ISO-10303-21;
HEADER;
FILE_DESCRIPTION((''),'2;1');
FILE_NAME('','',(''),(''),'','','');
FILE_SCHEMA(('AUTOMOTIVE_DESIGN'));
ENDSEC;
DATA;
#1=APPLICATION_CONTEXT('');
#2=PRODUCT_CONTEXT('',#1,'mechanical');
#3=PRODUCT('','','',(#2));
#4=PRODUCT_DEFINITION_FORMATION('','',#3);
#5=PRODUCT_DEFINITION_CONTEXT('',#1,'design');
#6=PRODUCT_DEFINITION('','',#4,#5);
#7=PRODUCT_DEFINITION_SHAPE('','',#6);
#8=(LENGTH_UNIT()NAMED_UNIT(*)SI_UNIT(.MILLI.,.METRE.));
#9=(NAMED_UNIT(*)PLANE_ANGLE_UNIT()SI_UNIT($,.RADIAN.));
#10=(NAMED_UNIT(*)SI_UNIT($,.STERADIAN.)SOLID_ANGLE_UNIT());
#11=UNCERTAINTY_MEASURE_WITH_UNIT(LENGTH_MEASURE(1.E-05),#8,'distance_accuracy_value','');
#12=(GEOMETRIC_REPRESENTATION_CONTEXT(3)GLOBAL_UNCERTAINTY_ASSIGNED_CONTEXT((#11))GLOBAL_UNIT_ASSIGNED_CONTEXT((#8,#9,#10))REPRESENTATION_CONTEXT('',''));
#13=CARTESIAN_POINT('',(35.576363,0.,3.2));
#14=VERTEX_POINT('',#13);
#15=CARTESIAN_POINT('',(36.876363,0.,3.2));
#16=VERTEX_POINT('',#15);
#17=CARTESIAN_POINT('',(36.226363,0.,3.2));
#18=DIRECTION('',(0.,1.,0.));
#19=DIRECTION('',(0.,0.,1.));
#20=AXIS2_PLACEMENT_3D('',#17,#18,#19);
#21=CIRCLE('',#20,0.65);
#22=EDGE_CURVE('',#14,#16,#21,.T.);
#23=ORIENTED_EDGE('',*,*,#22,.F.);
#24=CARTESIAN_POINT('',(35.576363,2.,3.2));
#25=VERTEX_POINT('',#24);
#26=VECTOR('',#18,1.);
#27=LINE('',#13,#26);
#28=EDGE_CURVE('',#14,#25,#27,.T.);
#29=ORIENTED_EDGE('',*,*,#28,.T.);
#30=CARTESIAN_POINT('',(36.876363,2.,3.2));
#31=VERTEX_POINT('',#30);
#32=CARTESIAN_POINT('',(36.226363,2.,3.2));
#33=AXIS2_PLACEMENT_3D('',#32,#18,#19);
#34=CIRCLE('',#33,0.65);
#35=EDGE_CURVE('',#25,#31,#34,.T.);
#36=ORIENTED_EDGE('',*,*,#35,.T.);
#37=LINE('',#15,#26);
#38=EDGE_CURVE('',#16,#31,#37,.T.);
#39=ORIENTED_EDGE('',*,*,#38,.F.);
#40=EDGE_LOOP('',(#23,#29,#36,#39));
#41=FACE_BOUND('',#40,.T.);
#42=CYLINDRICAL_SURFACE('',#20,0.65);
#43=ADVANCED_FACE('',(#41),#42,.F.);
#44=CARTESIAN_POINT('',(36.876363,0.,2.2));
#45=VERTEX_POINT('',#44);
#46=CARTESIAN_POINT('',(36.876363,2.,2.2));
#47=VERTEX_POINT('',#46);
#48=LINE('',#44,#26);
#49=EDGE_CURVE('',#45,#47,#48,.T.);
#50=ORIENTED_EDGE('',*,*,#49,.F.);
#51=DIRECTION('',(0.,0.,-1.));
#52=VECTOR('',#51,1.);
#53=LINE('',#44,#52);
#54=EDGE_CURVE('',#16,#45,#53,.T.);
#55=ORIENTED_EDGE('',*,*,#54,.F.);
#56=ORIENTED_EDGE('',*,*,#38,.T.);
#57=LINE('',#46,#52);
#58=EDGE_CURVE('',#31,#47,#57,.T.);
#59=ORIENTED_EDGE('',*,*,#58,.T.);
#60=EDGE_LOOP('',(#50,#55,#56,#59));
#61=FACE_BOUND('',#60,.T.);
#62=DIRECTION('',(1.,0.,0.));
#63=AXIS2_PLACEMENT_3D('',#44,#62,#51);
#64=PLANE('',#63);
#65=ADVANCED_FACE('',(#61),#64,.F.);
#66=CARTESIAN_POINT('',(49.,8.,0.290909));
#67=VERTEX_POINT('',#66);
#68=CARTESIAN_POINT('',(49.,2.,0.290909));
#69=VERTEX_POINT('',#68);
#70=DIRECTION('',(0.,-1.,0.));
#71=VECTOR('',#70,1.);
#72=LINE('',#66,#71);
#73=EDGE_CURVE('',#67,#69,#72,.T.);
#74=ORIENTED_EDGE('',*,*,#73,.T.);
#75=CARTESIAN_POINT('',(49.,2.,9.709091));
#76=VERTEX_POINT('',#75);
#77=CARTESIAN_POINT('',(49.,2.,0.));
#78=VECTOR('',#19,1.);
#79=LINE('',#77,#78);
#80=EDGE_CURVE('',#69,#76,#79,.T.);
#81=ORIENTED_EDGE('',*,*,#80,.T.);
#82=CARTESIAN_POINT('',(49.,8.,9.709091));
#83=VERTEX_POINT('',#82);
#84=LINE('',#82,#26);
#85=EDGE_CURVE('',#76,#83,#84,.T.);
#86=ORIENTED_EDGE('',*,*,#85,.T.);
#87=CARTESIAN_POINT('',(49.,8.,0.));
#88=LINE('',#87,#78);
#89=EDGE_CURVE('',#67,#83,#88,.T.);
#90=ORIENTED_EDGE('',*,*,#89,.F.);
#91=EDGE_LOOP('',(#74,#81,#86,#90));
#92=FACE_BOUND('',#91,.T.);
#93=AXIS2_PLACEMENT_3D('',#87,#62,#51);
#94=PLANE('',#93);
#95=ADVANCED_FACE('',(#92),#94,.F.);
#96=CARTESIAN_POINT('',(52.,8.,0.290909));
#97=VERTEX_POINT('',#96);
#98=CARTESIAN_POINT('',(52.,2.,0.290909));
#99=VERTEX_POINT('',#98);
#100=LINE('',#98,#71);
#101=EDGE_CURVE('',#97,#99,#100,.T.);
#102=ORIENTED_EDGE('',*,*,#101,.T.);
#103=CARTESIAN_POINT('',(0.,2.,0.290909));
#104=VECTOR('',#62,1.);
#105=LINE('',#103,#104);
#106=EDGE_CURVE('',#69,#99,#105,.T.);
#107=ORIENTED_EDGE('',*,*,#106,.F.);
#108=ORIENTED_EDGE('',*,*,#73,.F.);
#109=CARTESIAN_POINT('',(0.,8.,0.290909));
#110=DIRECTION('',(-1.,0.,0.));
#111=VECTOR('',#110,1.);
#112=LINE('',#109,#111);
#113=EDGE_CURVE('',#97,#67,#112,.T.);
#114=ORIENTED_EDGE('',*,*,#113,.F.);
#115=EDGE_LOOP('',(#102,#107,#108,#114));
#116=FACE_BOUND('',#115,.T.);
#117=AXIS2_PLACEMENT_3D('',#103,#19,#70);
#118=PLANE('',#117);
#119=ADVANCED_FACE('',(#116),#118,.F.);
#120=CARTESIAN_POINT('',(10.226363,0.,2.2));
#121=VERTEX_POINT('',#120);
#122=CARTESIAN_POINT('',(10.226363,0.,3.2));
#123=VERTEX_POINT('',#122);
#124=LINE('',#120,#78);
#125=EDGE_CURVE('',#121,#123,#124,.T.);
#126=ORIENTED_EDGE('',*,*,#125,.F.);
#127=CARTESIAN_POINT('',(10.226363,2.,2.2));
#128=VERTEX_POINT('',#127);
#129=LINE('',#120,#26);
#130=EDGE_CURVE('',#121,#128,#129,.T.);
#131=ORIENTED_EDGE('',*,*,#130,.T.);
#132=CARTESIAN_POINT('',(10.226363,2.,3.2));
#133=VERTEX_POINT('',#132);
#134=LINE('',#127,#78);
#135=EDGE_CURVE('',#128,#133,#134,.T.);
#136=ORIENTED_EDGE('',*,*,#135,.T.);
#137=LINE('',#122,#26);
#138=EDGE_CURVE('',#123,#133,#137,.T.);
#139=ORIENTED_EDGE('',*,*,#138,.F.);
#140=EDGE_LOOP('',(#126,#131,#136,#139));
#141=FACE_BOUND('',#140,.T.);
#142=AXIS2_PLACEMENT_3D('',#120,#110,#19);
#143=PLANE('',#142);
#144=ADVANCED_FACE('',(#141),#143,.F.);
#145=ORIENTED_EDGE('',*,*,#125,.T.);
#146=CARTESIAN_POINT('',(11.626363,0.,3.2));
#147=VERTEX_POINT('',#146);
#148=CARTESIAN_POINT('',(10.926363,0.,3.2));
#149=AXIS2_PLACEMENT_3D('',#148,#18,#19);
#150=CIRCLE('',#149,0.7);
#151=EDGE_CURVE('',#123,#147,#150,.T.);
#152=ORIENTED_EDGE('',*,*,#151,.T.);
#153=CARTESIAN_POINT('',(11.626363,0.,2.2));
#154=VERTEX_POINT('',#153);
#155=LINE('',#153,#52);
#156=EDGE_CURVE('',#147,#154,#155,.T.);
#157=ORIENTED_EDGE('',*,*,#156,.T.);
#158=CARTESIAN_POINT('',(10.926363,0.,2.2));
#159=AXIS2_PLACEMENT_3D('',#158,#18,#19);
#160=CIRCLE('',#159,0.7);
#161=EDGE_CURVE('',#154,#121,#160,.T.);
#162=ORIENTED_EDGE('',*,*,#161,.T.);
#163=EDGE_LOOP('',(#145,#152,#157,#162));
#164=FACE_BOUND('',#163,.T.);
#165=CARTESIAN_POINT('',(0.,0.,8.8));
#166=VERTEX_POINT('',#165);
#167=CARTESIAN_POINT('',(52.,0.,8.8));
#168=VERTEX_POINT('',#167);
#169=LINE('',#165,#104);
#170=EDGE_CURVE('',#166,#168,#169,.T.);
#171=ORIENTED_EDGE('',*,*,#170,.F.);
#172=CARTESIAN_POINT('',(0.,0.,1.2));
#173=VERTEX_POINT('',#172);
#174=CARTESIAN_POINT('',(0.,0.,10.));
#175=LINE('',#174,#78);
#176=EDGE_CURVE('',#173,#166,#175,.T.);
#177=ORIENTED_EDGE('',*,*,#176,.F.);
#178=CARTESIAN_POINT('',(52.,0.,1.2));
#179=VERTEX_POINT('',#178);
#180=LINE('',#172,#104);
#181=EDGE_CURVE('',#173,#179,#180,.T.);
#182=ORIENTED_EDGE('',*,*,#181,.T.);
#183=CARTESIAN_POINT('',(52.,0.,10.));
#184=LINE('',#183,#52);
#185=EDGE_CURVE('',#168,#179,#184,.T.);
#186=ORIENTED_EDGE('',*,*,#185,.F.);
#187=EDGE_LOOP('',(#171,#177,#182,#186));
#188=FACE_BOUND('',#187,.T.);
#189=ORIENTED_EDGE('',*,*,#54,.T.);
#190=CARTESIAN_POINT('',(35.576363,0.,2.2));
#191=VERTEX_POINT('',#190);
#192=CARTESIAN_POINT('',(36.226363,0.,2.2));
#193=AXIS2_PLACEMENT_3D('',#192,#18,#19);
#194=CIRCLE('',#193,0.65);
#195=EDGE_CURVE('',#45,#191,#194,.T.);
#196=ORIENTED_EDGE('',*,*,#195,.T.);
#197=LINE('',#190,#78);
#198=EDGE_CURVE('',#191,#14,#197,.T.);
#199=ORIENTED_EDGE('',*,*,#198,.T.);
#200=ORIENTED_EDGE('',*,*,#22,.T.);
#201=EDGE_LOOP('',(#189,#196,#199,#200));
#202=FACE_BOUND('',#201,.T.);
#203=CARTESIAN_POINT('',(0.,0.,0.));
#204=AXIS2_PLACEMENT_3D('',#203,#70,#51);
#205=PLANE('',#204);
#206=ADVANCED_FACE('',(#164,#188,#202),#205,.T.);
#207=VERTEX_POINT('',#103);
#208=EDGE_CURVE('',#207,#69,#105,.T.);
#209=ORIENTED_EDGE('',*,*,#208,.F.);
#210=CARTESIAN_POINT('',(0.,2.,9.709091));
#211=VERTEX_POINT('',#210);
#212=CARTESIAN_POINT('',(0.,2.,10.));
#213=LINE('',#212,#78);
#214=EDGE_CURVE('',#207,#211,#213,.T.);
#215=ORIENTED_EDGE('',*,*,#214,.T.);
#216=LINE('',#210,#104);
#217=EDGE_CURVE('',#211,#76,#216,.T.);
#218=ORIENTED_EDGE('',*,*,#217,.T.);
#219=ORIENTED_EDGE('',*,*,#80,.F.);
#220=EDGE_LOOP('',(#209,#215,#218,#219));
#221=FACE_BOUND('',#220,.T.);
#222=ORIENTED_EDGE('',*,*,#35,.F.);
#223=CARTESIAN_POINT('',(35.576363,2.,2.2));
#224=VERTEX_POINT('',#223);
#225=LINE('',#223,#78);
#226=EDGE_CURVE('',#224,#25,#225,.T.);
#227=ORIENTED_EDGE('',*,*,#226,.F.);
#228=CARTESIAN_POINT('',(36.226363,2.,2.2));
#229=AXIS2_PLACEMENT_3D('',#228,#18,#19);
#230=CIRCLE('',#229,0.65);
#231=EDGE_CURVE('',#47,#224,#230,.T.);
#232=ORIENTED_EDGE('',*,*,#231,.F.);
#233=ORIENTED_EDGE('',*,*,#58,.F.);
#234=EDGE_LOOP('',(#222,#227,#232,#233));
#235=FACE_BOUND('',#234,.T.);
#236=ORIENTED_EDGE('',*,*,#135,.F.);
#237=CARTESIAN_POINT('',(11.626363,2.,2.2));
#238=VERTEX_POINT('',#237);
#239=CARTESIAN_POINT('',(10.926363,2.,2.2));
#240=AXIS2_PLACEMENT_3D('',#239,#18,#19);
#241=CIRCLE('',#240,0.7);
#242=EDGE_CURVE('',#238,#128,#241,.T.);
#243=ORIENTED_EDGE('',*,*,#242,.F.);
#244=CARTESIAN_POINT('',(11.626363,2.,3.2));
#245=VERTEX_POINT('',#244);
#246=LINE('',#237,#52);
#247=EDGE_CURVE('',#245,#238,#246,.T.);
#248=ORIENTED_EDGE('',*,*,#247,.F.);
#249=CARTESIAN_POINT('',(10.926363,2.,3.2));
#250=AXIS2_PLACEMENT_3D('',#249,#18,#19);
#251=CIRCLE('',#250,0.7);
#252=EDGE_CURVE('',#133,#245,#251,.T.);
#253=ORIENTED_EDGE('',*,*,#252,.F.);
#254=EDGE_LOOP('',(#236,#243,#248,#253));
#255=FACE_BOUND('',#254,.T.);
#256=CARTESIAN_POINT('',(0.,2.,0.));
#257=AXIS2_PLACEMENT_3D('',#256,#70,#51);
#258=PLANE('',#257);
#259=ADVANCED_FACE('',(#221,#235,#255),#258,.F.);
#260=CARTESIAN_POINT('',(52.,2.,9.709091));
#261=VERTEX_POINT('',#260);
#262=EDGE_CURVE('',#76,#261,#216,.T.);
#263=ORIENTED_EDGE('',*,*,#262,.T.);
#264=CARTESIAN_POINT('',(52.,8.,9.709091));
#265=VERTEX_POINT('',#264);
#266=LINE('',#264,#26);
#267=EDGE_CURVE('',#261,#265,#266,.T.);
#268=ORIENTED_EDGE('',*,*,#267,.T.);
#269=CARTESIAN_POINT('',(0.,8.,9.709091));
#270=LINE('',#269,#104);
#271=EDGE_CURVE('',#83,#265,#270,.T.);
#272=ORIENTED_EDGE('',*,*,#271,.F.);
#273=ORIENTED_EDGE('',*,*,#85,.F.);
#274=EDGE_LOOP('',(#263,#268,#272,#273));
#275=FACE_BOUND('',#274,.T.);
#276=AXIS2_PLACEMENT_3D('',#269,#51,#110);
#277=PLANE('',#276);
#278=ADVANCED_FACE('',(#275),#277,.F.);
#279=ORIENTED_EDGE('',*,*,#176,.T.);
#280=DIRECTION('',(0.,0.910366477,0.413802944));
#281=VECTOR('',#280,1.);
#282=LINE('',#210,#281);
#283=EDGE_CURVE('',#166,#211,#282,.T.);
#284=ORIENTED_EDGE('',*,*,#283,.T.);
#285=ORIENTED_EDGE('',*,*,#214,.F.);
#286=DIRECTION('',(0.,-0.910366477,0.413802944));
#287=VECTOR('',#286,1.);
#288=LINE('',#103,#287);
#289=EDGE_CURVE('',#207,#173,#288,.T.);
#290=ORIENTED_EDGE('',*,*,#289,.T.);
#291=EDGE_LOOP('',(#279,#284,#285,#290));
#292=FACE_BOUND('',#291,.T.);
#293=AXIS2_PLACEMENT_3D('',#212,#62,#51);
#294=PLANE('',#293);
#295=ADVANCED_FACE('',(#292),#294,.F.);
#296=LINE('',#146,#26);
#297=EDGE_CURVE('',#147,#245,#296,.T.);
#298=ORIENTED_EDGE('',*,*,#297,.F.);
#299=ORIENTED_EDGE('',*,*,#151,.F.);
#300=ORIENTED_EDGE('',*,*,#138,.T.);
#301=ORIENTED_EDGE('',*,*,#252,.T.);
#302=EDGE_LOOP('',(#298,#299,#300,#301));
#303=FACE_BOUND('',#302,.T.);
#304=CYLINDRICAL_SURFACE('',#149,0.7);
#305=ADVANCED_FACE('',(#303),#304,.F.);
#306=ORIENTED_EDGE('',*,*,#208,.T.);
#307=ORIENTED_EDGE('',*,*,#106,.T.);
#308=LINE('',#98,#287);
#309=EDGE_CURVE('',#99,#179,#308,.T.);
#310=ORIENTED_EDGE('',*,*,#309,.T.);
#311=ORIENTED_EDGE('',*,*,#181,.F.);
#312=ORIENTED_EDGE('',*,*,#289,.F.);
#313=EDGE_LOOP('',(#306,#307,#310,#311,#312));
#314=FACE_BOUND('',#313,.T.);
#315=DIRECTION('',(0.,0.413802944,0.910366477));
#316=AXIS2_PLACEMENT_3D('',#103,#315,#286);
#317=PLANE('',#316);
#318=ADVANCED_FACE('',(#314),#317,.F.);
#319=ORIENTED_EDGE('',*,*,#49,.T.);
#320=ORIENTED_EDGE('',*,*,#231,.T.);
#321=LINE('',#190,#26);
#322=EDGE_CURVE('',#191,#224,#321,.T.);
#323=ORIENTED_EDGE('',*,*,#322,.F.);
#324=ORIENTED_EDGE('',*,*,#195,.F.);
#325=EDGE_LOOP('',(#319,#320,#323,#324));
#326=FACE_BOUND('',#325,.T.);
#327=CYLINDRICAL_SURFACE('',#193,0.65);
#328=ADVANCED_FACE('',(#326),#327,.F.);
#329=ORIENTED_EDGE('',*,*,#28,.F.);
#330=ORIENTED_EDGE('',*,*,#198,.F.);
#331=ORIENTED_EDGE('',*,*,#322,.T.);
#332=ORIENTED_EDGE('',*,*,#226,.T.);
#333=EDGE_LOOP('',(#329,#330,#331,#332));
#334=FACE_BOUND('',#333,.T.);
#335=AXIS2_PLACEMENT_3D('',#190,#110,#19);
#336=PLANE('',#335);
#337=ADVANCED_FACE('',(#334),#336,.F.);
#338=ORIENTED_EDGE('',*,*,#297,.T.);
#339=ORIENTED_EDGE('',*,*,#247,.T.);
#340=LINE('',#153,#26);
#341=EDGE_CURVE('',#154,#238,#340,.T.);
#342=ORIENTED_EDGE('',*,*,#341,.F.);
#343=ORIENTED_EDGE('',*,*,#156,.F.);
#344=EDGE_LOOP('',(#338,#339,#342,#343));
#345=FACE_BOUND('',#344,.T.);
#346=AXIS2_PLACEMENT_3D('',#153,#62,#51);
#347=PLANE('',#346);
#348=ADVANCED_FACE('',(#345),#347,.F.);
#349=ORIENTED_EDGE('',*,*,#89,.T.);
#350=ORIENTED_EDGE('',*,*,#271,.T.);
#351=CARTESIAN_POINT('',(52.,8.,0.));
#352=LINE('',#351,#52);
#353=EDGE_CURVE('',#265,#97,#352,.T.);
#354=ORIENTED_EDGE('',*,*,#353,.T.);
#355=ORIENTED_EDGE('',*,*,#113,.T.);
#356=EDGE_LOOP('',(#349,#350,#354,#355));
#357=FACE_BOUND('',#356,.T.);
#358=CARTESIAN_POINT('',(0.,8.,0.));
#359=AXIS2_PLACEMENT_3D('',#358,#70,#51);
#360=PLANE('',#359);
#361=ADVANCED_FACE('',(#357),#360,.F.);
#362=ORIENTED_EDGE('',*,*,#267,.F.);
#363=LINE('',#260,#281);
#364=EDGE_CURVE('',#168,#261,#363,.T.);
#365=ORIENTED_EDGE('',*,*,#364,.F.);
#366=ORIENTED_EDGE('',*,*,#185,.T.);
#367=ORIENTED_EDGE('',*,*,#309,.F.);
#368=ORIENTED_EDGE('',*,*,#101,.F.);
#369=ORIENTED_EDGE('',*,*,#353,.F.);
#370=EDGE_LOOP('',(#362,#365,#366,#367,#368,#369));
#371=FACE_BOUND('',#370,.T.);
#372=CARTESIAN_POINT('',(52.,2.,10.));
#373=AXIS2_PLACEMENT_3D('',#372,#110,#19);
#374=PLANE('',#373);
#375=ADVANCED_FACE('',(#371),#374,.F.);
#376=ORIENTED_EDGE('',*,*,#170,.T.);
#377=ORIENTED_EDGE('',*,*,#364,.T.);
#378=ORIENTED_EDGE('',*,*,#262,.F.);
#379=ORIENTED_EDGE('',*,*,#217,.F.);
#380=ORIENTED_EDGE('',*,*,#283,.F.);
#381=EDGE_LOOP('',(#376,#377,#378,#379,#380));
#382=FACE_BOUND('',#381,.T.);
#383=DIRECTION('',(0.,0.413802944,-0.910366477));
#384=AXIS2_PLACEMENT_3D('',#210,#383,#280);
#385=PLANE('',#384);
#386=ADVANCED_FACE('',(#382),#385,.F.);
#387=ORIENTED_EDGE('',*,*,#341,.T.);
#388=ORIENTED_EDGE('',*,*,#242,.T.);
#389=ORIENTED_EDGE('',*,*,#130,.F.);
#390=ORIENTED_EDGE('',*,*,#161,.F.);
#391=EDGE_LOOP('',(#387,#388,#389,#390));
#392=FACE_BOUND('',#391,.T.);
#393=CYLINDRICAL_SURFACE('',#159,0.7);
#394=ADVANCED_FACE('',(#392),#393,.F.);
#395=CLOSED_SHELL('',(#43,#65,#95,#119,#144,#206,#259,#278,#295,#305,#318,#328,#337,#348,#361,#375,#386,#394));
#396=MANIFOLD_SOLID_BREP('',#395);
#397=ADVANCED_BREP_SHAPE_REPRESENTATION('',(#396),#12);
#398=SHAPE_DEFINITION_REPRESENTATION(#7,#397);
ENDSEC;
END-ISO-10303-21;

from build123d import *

# Parameters (mm, degrees)
SKETCH_1_W               = 52
SKETCH_1_H               = 10
EXTRUDE_1_DEPTH          = 2
SKETCH_5_R               = 0.6
CUT_EXTRUDE_1_DEPTH      = 53.990565198
SKETCH_6_W               = 3
SKETCH_6_H               = 10
EXTRUDE_2_DEPTH          = 6
CUT_EXTRUDE_2_DEPTH      = 54.291650378
CUT_EXTRUDE_3_DEPTH      = 54.553711356
CUT_EXTRUDE_3_DEPTH_BACK = 54.553711356


with BuildPart() as part:
    # 草图1 → 凸台-拉伸1 (new body)
    with BuildSketch(Plane(origin=(0, 0, 0), x_dir=(1, 0, 0), z_dir=(0, 1, 0))):
        with Locations((26, -5)):
            Rectangle(SKETCH_1_W, SKETCH_1_H)
    extrude(amount=EXTRUDE_1_DEPTH)

    # 草图5 → 切除-拉伸1 (cut, through all)
    with BuildSketch(Plane(origin=(0, 2, 0), x_dir=(1, 0, 0), z_dir=(0, 1, 0))):
        with Locations(Location((36.226363192, -2.7, 0), (0, 0, 270))):
            Circle(SKETCH_5_R)
        with Locations(Location((10.926363192, -2.7, 0), (0, 0, 270))):
            Circle(SKETCH_5_R)
    extrude(amount=-CUT_EXTRUDE_1_DEPTH, mode=Mode.SUBTRACT)

    # 草图6 → 凸台-拉伸2 (add)
    with BuildSketch(Plane(origin=(0, 2, 0), x_dir=(1, 0, 0), z_dir=(0, 1, 0))):
        with Locations((50.5, -5)):
            Rectangle(SKETCH_6_W, SKETCH_6_H)
    extrude(amount=EXTRUDE_2_DEPTH)

    # 草图7 → 切除-拉伸2 (cut, through all)
    with BuildSketch(Plane(origin=(0, 2, 0), x_dir=(1, 0, 0), z_dir=(0, 1, 0))):
        with BuildLine():
            Line((11.626363192, -2.2), (11.626363192, -3.2))
            ThreePointArc((11.626363192, -3.2), (10.926363192, -3.9), (10.226363192, -3.2))
            Line((10.226363192, -3.2), (10.226363192, -2.2))
            ThreePointArc((10.226363192, -2.2), (10.926363192, -1.5), (11.626363192, -2.2))
        make_face()
        with BuildLine():
            Line((36.876363192, -2.2), (36.876363192, -3.2))
            ThreePointArc((36.876363192, -3.2), (36.226363192, -3.85), (35.576363192, -3.2))
            Line((35.576363192, -3.2), (35.576363192, -2.2))
            ThreePointArc((35.576363192, -2.2), (36.226363192, -1.55), (36.876363192, -2.2))
        make_face()
    extrude(amount=-CUT_EXTRUDE_2_DEPTH, mode=Mode.SUBTRACT)

    # 草图9 → 切除-拉伸3 (cut, two sides: drawn at the far end of the back side and taken through both)
    with BuildSketch(Plane(origin=(52, 0, 0), x_dir=(0, 0, -1), z_dir=(1, 0, 0)).offset(-CUT_EXTRUDE_3_DEPTH_BACK)):
        Polygon((-0.290909091, 2), (-1.2, 0), (0, 0), (0, 8), (-0.290909091, 8), align=None)
        Polygon((-9.709090909, 2), (-8.8, 0), (-10, 0), (-10, 8), (-9.709090909, 8), align=None)
    extrude(amount=CUT_EXTRUDE_3_DEPTH + CUT_EXTRUDE_3_DEPTH_BACK, mode=Mode.SUBTRACT)


solid = part.part
